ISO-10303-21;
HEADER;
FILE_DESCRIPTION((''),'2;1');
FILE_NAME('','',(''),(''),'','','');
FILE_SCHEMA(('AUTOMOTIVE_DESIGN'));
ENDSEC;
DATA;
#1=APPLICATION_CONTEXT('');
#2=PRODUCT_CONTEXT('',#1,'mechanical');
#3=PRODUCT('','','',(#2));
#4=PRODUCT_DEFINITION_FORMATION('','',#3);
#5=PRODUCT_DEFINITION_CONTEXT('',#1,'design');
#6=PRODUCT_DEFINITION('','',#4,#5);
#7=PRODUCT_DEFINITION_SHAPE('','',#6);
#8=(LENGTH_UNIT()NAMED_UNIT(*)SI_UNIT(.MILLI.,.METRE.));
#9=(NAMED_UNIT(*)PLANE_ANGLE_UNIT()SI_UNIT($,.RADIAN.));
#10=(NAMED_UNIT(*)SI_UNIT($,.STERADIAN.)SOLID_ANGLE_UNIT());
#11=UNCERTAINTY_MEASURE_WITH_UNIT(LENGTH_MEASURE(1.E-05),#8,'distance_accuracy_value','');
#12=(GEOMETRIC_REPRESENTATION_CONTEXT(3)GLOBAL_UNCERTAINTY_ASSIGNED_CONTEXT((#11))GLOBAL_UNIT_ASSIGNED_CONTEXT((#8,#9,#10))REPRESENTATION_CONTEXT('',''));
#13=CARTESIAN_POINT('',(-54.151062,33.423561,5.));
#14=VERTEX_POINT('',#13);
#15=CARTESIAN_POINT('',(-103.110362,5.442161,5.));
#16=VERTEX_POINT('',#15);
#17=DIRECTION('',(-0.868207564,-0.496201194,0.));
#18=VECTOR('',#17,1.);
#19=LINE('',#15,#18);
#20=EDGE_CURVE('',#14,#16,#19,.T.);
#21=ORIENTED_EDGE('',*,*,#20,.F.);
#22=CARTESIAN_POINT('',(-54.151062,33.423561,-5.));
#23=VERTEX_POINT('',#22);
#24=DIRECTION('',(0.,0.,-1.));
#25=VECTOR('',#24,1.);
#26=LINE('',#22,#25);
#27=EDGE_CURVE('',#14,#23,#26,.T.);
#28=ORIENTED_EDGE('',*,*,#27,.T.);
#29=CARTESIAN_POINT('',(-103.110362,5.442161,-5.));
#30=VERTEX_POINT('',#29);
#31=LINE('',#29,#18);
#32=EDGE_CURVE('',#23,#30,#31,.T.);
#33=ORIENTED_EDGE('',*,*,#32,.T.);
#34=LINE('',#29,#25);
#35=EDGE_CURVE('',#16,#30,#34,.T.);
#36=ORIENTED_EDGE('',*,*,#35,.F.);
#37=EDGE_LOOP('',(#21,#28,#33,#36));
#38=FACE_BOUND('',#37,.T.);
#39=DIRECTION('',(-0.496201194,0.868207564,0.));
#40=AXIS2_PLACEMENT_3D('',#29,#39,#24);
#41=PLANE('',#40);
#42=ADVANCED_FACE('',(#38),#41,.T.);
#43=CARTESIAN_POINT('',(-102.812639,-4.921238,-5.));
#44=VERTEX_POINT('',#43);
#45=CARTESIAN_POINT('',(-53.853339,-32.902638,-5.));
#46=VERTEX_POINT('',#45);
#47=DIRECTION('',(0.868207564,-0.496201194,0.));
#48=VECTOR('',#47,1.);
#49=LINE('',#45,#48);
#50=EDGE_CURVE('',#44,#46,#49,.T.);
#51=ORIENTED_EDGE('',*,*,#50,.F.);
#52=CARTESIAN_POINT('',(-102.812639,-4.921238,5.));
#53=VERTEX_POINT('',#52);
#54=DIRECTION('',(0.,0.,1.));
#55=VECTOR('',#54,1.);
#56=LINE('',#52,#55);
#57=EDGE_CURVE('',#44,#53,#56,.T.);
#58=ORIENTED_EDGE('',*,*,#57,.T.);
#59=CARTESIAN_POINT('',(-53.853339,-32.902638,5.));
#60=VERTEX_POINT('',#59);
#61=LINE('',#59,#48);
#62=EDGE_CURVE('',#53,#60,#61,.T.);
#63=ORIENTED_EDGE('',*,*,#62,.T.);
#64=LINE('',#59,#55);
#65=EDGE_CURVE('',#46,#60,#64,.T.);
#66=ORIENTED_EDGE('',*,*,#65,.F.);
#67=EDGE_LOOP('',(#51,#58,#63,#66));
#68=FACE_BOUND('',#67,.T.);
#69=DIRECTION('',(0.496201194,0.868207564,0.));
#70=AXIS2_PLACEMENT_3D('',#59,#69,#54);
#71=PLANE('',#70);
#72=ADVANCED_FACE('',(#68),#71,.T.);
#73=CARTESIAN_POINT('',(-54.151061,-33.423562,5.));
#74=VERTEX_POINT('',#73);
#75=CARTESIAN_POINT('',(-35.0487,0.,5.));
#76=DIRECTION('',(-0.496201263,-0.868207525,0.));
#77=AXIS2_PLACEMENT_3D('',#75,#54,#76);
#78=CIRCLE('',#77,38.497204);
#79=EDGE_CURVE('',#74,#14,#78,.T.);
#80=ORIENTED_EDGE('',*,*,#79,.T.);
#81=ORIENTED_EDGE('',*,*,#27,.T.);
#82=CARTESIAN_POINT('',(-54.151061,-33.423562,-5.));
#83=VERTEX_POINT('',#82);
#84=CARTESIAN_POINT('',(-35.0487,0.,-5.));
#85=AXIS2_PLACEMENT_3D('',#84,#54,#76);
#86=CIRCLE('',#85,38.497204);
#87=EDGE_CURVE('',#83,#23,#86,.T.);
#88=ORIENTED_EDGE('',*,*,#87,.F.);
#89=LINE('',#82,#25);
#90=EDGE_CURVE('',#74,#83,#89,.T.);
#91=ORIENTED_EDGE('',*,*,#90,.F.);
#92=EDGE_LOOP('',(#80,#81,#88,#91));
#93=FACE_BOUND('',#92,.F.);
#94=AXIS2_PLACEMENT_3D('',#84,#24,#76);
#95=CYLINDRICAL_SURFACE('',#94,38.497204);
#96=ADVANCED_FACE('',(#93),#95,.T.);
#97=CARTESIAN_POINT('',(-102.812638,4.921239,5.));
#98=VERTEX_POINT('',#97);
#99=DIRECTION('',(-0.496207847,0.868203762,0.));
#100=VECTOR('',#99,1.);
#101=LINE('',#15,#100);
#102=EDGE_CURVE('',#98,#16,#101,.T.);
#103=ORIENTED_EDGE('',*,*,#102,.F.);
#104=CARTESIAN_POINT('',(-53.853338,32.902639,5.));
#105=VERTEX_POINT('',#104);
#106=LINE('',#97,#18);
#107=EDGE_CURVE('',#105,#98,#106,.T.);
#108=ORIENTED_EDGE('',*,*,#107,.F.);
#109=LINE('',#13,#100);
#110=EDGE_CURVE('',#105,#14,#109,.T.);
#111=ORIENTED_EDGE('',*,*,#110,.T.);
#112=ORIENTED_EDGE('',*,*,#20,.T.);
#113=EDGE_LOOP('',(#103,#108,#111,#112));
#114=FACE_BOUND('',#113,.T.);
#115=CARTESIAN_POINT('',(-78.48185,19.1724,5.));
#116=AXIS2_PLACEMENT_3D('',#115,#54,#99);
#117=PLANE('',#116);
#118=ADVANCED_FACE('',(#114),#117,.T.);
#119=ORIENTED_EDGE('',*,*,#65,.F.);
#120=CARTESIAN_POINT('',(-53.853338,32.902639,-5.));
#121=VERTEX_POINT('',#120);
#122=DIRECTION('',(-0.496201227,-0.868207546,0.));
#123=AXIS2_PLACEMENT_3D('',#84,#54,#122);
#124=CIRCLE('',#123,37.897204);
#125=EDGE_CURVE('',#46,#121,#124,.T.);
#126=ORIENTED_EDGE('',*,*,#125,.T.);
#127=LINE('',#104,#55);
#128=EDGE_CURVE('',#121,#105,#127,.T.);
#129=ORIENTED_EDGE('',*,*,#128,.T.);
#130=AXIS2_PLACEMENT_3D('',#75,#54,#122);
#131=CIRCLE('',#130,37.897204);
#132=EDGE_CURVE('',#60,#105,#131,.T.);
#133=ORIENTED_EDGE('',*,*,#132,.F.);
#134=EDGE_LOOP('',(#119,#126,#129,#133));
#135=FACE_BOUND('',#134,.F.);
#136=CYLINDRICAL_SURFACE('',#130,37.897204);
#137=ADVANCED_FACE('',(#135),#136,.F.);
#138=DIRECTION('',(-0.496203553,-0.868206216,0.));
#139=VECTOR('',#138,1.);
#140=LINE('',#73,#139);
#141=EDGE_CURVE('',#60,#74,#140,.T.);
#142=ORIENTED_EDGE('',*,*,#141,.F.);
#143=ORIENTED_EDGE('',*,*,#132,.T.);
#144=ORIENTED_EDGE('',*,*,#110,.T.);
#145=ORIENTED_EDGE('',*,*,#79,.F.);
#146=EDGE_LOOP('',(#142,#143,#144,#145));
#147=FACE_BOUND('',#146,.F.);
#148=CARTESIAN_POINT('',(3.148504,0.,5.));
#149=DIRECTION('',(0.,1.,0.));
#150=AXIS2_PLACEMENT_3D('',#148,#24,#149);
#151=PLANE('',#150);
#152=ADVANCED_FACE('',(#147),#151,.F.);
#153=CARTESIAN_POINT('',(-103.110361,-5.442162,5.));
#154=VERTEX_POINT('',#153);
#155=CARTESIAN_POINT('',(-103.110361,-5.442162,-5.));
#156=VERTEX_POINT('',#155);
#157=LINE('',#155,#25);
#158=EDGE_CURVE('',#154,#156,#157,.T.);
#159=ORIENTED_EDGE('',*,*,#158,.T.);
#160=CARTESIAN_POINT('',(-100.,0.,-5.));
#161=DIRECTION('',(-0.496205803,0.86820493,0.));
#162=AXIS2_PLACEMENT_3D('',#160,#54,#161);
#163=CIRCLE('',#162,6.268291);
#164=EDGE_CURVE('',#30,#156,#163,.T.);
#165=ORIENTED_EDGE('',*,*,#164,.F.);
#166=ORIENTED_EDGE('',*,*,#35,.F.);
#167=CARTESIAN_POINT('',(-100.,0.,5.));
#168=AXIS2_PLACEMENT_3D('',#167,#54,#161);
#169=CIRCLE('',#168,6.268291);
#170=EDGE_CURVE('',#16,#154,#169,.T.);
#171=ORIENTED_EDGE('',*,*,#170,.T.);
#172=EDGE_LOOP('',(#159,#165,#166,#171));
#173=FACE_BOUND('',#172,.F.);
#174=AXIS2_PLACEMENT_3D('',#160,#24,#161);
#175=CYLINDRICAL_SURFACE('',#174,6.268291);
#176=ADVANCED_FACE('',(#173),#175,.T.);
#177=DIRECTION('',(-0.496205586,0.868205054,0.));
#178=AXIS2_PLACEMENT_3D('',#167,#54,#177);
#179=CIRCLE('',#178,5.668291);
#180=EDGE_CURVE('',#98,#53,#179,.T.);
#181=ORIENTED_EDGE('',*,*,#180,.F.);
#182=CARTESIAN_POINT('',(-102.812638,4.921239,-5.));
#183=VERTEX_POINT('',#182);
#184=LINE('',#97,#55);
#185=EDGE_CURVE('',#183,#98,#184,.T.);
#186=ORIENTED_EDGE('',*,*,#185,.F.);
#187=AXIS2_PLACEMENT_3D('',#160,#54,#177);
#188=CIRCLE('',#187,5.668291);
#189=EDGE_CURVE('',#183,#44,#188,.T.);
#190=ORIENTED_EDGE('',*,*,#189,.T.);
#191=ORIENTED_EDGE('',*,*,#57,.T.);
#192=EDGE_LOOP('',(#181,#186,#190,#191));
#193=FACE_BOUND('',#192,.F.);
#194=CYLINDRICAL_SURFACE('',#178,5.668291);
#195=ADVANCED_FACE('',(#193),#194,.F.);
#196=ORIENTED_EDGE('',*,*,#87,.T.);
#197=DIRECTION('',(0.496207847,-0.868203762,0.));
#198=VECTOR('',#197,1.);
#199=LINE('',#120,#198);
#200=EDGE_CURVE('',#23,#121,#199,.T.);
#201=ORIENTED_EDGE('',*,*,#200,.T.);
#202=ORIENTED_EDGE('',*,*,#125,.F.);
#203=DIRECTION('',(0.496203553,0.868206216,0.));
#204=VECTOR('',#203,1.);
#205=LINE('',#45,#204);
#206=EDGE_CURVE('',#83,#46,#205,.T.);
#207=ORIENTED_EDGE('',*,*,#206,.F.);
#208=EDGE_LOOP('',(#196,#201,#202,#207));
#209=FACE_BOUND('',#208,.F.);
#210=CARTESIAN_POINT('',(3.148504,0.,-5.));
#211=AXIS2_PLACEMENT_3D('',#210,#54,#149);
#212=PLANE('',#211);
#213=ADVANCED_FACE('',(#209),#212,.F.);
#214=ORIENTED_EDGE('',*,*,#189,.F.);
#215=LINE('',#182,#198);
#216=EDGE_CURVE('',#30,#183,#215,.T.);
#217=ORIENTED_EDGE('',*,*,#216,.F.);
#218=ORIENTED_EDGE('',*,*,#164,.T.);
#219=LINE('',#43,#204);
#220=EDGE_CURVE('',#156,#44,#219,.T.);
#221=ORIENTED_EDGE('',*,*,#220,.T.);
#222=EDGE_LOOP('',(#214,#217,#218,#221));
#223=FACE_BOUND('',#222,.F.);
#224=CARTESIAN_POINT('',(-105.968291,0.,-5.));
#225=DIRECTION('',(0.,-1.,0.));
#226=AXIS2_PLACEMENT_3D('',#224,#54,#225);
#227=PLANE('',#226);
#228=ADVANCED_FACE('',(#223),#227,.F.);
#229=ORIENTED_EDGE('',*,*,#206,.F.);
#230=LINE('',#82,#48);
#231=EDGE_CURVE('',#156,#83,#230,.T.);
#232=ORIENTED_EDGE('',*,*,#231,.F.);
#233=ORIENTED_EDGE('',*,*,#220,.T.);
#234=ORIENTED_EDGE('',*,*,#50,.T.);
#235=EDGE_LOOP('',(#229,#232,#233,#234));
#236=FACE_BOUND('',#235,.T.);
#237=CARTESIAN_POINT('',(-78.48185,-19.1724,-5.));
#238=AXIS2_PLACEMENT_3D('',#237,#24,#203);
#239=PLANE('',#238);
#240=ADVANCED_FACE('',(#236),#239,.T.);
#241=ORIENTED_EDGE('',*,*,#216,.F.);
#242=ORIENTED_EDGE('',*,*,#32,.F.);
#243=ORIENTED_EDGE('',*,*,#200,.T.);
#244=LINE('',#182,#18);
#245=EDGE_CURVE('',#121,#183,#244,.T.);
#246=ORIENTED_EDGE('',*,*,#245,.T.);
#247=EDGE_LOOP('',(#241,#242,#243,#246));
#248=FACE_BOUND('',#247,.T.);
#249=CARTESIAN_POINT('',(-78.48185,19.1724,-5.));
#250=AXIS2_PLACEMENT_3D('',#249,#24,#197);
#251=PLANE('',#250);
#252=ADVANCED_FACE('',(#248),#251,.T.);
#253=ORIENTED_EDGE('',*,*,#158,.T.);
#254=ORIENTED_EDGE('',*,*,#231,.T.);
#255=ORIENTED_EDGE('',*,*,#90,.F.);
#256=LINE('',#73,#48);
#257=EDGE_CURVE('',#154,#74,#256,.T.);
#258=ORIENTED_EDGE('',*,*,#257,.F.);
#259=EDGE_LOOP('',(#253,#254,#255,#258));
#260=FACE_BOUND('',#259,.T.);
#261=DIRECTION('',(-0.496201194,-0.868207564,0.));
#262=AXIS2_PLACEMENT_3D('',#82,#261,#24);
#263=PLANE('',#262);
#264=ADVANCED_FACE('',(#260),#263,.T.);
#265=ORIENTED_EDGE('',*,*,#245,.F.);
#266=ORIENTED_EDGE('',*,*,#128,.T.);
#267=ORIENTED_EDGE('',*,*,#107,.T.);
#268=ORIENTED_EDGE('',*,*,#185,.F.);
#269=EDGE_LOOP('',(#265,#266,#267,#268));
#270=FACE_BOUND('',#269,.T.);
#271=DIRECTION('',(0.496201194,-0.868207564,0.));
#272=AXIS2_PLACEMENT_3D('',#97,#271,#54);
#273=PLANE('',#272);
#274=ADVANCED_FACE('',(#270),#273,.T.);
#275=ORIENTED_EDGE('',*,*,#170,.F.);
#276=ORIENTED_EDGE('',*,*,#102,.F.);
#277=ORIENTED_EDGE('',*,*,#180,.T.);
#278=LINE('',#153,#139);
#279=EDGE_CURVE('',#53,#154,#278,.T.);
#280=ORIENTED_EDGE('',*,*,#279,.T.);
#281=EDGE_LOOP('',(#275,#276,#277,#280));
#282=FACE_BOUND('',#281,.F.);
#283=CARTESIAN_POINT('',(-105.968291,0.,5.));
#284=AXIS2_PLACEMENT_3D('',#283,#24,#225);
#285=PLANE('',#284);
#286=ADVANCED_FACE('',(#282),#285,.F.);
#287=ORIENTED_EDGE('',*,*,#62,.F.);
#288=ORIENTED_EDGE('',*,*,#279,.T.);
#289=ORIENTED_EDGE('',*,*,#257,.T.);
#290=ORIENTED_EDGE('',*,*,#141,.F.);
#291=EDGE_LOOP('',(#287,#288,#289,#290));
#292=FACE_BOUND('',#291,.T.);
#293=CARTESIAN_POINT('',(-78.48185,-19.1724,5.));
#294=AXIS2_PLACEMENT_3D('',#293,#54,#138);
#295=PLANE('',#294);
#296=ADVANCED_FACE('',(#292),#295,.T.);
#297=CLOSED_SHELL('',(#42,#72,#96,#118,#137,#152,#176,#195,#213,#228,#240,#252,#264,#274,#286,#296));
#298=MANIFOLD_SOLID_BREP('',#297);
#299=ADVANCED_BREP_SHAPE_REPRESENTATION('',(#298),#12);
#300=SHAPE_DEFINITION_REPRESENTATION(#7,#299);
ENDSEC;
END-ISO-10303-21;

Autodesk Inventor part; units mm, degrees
sketch "Sketch Path" plane through (0, 0, 0) normal (0, 0, 1) x (1, 0, 0)
  arc A0 (-102.9615, 5.1817) -> (-102.9615, -5.1817) centre (-100, 0) ccw
  arc A1 (-54.0022, -33.1631) -> (-54.0022, 33.1631) centre (-35.0487, 0) ccw
  line L0 (-54.0022, -33.1631) -> (-102.9615, -5.1817)
  line L1 (-102.9615, 5.1817) -> (-54.0022, 33.1631)
ref_plane "Cross Section Plane" through (-102.9615, -5.1817, 0) normal (0.8682, -0.4962, 0) x (0, 0, 1)
ref_plane "Work Plane2" through (-100, 0, 0) normal (-1, 0, 0) x (0, 0, 1)
ref_plane "Work Plane3" through (-35.0487, 0, 0) normal (-0.8895, -0.4569, 0) x (0, 0, 1)
sketch "Cross Section" plane through (-102.9615, -5.1817, 0) normal (0.8682, -0.4962, 0) x (0, 0, 1)
  line L0 (-5, 0.3) -> (5, 0.3)
  line L1 (5, 0.3) -> (5, -0.3)
  line L2 (5, -0.3) -> (-5, -0.3)
  line L3 (-5, -0.3) -> (-5, 0.3)
  line L4 (-5, 0) -> (5, 0) construction
  point P0 (0, 0)
  point P1 (0, 0)
  dimension "d0" = 10
  dimension "d4" = 0.3
  dimension "d5" = 0.3
sweep "Belt" add profiles "Cross Section" path "Sketch Path"
equation "\"d0\" = da_B"
equation "\"d4\" = da_a"
equation "\"d5\" = da_a2"
equation "\"da_B\" = 10"
equation "\"da_pb\" = 2.5"
equation "\"da_L\" = 285"
equation "\"da_a\" = 0.3"
equation "\"da_S\" = 1.5"
equation "\"da_Beta\" = 20deg"
equation "\"da_Ht\" = 0.7"
equation "\"da_H\" = 1.3"
equation "\"da_a2\" = 0.3"
properties part number "Synchronous Belt" material "Rubber"
